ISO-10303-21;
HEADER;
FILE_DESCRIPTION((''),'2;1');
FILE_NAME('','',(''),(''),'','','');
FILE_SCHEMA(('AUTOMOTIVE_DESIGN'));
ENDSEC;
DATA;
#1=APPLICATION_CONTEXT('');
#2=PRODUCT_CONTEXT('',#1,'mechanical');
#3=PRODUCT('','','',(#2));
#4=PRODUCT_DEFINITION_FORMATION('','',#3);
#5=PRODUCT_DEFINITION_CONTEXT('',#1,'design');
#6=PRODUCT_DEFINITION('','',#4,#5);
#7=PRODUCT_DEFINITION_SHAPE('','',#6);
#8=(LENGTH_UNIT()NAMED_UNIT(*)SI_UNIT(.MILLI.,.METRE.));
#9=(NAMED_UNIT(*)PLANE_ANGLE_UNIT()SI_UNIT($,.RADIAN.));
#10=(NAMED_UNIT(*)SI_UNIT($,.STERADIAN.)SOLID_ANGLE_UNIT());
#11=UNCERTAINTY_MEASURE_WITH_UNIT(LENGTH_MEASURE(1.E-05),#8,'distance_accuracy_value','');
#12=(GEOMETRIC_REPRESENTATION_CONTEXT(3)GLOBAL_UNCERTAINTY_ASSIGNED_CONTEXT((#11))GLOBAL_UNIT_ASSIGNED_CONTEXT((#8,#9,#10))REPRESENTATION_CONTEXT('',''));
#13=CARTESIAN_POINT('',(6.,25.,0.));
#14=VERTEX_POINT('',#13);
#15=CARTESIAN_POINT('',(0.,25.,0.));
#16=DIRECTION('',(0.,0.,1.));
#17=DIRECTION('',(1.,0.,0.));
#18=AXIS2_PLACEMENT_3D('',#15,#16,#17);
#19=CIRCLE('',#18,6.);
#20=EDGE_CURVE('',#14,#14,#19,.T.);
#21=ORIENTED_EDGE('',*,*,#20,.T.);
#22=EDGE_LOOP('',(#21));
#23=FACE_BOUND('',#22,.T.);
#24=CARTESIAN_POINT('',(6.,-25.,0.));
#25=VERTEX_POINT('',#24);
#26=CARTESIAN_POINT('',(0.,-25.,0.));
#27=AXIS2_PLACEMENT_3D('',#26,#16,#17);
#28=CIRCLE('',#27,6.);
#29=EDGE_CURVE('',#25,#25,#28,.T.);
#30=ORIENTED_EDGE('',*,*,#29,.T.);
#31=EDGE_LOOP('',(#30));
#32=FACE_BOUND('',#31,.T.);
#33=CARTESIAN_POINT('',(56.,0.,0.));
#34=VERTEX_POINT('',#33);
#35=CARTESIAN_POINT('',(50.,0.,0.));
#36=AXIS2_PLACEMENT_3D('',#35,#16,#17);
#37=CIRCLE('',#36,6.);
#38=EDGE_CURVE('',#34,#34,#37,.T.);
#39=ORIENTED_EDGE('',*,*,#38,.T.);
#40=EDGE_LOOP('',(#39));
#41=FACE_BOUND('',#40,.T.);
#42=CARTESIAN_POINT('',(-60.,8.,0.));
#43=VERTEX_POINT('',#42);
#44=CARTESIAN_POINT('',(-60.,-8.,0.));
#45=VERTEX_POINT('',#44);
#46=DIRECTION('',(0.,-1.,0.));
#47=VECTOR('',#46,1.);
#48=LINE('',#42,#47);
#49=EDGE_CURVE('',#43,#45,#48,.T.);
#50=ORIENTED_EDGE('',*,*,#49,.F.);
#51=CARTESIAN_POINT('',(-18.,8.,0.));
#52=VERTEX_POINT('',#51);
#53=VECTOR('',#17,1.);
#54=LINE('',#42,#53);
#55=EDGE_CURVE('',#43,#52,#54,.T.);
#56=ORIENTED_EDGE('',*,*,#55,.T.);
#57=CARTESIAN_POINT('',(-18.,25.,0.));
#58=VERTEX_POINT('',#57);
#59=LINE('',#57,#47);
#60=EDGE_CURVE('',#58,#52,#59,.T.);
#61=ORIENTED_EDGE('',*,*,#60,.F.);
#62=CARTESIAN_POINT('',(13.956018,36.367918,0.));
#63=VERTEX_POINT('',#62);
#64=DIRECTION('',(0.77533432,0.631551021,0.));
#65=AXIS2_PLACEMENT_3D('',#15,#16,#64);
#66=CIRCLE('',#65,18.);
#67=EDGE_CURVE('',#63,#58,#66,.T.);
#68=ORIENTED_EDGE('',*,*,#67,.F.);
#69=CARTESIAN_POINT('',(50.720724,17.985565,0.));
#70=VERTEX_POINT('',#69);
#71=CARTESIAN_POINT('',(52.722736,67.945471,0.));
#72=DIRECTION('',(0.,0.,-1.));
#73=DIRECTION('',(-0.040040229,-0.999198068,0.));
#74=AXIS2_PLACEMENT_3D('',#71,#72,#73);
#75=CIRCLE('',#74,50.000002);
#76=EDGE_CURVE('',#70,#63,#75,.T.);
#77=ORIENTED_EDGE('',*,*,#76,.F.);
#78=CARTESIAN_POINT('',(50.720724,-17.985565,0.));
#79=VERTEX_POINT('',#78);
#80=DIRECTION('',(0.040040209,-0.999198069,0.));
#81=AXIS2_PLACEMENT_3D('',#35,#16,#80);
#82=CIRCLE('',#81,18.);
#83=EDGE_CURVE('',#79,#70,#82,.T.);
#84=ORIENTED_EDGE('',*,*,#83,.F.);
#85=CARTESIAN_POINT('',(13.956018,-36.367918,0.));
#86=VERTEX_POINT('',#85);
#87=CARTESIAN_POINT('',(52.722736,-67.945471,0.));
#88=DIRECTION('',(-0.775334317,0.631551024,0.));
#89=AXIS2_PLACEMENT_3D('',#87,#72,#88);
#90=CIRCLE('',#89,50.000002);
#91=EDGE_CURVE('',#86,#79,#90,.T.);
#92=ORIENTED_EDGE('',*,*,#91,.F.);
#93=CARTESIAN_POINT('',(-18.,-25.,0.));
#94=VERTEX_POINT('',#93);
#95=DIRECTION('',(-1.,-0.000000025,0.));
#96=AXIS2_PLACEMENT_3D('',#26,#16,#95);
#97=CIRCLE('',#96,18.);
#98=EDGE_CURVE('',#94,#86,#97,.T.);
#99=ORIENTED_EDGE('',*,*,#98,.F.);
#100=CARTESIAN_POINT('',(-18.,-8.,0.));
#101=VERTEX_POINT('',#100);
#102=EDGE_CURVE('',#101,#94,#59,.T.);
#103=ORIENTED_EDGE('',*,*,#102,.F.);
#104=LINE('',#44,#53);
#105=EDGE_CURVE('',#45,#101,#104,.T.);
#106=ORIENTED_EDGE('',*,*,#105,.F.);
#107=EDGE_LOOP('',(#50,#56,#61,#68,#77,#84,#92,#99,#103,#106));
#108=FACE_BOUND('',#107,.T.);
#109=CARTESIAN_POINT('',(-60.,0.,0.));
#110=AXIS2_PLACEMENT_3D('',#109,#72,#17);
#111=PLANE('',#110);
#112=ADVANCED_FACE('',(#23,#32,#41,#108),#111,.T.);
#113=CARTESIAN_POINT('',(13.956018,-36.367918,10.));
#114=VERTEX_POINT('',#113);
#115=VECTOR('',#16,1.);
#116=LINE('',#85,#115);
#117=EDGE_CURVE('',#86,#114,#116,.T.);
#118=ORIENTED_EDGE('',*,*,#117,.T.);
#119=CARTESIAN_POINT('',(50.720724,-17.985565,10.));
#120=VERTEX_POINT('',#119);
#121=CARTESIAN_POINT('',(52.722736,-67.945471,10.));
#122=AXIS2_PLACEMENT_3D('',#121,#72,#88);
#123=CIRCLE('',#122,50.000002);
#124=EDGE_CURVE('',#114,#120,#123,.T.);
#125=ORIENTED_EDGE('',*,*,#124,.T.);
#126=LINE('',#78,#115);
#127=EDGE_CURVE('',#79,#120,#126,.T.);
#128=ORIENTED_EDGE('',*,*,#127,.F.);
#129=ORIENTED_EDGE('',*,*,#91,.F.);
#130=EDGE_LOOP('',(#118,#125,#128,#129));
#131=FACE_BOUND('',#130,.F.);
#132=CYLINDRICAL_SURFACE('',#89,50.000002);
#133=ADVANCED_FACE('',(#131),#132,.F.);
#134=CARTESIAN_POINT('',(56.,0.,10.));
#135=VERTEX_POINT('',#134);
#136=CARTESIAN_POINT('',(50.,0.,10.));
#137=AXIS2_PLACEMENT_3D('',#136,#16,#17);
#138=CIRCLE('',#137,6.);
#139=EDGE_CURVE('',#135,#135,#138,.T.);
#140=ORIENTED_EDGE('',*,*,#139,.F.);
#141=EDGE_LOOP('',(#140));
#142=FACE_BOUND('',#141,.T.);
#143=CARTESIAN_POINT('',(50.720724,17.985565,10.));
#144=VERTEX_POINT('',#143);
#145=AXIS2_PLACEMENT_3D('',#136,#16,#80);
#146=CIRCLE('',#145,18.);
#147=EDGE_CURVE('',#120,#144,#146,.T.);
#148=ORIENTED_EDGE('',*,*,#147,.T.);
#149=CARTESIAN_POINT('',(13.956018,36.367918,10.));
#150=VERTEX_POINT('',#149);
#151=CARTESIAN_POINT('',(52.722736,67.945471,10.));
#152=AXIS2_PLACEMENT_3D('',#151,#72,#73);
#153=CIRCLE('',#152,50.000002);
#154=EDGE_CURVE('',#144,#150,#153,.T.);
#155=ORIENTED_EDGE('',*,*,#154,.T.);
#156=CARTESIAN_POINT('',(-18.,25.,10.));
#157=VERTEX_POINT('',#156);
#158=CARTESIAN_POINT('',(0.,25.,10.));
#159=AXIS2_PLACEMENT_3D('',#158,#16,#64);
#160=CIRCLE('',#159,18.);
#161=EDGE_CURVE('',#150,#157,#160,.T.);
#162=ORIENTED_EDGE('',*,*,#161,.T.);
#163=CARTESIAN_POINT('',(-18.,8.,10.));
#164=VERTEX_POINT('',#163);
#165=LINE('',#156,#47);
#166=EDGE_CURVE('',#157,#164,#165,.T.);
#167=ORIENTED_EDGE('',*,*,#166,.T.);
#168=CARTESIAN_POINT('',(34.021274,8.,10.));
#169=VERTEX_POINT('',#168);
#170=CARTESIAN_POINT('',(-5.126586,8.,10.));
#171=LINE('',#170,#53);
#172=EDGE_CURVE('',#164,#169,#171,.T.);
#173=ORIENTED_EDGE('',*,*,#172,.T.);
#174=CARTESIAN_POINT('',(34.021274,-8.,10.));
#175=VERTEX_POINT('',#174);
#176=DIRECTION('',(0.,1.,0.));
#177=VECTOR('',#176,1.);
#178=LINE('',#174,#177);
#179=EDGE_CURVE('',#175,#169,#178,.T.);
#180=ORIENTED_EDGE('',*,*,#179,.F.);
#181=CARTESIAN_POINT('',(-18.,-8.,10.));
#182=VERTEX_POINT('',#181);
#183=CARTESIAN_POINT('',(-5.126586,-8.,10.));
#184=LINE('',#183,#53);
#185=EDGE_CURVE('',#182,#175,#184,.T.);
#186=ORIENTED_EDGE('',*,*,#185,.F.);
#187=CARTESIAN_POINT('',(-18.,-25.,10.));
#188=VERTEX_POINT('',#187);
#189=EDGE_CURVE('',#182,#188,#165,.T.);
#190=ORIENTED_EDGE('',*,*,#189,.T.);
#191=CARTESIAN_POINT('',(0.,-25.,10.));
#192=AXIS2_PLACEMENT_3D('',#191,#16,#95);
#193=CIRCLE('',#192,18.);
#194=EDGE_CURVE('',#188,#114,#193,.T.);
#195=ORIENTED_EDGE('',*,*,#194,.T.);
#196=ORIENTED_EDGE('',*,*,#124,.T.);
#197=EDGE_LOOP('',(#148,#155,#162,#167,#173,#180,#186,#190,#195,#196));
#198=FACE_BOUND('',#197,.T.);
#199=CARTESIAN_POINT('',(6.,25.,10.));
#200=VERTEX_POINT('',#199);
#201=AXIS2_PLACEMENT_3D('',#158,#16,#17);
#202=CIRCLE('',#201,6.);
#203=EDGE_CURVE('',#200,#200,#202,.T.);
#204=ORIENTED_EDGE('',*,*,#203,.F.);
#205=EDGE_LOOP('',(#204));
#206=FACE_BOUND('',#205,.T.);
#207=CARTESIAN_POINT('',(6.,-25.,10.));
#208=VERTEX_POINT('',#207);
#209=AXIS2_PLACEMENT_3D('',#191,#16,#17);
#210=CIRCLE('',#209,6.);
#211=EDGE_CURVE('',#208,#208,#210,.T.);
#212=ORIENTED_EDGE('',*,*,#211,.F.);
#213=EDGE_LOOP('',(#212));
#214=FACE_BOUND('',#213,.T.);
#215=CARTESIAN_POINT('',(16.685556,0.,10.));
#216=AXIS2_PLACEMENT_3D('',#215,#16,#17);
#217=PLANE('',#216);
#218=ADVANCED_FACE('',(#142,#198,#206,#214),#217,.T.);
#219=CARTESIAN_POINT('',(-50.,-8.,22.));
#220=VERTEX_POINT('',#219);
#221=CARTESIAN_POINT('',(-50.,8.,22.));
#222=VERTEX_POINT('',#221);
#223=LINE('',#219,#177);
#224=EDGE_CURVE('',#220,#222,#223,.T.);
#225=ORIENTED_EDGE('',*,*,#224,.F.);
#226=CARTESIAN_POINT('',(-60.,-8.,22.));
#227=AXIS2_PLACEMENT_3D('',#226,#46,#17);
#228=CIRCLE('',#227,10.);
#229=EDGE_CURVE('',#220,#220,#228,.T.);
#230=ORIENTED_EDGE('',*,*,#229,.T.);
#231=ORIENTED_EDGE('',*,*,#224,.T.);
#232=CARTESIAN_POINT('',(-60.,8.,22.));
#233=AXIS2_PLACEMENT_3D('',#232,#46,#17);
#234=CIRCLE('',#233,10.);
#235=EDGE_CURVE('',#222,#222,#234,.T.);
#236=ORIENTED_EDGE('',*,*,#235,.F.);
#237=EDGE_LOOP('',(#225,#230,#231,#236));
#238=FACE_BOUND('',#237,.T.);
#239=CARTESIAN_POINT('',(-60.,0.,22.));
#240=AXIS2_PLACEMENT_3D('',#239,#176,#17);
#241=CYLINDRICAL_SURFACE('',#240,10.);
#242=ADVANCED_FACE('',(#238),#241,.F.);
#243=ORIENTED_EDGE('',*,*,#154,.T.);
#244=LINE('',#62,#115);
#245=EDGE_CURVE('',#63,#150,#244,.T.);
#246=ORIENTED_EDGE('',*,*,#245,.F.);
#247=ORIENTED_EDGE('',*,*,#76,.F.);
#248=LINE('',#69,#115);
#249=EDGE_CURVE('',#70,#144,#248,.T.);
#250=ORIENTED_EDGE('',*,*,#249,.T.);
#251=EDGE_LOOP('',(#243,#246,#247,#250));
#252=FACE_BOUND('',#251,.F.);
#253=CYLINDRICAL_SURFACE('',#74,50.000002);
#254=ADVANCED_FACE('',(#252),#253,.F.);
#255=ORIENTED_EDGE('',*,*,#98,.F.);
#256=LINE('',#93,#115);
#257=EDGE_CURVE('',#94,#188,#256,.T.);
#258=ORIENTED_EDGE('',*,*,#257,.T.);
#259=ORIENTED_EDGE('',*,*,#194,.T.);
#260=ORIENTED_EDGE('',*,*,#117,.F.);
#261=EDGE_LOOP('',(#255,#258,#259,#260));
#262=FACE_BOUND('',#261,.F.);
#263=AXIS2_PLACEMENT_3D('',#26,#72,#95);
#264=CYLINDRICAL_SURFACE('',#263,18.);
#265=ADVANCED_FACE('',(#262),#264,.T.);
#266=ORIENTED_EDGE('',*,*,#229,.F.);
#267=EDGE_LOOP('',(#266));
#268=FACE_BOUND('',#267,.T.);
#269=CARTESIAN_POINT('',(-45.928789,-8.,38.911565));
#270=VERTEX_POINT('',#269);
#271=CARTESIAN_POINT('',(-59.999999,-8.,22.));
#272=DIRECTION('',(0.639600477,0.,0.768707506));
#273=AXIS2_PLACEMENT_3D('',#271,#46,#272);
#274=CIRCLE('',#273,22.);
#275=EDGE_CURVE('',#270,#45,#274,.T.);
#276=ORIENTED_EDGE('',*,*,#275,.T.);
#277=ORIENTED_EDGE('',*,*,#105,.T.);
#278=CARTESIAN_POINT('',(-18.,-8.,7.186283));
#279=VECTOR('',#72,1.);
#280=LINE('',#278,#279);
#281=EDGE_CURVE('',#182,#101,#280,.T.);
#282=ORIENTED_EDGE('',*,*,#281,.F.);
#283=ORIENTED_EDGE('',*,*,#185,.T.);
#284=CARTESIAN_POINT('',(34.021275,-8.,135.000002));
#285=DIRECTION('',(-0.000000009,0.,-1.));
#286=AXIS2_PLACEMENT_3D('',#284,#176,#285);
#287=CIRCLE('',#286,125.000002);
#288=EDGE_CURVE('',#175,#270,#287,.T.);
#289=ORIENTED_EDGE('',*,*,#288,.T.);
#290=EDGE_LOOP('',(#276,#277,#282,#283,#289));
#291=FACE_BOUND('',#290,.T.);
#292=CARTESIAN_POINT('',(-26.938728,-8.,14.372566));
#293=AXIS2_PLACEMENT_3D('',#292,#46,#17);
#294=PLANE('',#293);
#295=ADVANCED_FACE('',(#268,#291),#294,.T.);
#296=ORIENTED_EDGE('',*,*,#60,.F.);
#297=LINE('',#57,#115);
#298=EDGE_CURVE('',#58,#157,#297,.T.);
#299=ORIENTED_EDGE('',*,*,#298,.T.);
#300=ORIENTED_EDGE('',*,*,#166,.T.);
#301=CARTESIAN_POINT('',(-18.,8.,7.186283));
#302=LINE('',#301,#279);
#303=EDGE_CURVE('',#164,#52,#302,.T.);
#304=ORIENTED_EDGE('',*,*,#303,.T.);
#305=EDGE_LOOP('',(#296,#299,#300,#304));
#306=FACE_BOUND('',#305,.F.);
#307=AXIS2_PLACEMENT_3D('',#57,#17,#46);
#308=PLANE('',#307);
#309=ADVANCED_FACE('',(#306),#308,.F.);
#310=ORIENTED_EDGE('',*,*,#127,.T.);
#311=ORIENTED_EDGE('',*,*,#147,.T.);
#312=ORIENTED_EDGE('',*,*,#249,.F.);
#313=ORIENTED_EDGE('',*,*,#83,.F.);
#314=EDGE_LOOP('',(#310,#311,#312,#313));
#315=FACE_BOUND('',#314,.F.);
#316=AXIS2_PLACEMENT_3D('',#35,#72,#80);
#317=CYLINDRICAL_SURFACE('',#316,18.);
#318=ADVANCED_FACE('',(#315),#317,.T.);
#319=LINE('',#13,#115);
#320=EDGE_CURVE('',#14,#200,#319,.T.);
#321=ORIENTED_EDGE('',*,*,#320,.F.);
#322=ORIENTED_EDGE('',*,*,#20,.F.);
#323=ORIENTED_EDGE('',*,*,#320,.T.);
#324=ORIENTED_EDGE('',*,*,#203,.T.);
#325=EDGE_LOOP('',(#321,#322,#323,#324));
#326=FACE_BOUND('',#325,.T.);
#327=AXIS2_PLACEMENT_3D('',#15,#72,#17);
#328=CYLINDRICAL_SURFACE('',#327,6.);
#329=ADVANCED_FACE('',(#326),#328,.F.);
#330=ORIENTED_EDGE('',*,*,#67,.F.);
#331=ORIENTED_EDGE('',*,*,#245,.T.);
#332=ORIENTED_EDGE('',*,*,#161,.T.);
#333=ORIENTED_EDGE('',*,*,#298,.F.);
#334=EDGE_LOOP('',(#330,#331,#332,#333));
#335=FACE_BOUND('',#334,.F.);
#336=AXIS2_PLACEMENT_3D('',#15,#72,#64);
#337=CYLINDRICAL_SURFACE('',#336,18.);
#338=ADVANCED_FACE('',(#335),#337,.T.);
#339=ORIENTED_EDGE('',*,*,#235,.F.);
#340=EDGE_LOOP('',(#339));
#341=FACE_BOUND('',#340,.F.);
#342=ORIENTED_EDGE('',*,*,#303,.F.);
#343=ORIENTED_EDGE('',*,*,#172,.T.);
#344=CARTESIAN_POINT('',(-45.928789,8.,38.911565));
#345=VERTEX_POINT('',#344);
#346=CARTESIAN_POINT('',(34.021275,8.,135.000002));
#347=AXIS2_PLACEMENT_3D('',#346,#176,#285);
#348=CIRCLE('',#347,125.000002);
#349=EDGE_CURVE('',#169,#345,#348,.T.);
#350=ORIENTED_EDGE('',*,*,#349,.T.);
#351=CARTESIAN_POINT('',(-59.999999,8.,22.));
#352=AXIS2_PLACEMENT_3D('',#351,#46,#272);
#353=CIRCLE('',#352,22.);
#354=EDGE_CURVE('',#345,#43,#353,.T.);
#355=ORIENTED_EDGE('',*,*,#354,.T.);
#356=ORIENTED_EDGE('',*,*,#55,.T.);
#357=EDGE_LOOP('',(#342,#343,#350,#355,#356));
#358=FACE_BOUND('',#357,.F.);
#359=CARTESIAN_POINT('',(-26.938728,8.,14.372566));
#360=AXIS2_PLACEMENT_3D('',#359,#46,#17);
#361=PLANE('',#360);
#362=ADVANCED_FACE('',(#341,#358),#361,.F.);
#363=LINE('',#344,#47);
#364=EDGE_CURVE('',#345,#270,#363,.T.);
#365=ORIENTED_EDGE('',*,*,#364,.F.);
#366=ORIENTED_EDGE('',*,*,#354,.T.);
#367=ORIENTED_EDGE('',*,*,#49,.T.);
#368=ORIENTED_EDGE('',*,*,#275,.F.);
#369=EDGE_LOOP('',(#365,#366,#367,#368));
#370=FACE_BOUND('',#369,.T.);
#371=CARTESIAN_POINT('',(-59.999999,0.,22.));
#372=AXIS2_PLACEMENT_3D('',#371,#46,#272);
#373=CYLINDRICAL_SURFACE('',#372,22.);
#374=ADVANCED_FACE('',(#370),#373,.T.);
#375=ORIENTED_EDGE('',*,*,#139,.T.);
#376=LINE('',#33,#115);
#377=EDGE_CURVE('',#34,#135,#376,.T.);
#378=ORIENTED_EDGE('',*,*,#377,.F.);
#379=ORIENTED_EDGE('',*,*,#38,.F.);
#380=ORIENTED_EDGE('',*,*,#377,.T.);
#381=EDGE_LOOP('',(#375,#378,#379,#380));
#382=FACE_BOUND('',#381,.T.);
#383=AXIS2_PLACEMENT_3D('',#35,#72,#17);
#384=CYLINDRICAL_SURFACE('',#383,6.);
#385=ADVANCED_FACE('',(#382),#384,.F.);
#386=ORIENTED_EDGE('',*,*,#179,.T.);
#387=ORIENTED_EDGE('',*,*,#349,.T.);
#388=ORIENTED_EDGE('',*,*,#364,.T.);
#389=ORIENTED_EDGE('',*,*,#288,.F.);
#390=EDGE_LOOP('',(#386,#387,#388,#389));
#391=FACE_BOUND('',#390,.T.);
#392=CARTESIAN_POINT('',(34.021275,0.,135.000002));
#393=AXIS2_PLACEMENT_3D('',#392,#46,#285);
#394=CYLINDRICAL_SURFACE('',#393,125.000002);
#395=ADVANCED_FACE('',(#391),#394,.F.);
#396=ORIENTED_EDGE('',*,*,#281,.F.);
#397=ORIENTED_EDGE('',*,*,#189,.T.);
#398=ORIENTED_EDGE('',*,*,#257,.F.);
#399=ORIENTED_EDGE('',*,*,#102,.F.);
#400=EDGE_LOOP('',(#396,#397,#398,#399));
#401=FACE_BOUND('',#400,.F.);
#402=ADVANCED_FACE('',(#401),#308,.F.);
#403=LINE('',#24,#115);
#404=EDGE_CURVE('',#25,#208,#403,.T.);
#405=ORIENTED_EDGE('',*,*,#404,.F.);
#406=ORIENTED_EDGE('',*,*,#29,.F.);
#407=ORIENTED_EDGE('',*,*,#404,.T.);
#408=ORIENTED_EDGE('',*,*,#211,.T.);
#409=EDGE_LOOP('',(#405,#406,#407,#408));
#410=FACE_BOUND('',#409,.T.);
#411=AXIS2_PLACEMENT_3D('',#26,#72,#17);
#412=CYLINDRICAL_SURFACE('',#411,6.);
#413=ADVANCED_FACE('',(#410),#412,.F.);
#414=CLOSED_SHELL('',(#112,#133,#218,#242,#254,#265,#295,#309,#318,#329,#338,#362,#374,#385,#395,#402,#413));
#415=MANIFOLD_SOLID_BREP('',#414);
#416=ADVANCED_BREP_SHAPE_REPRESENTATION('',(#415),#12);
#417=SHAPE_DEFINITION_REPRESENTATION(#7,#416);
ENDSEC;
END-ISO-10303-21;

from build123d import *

# Parameters (mm, degrees)
F0_R     = 6
F1_DEPTH = 10
F2_R     = 10
F3_DEPTH = 8


with BuildPart() as f1:
    # F0 (on Top) → F1 (new body)
    with BuildSketch(Plane.XY):
        with BuildLine():
            ThreePointArc((50.720724, 17.985565), (30.362055, 23.224109), (13.956018, 36.367918))
            ThreePointArc((13.956018, 36.367918), (-6.032896, 41.958896), (-18, 25))
            Line((-18, 25), (-18, -25))
            ThreePointArc((-18, -25), (-6.032896, -41.958896), (13.956018, -36.367918))
            ThreePointArc((13.956018, -36.367918), (30.362055, -23.224109), (50.720724, -17.985565))
            ThreePointArc((50.720724, -17.985565), (68, 0), (50.720724, 17.985565))
        make_face()
        with Locations((0, -25)):
            Circle(F0_R, mode=Mode.SUBTRACT)
        with Locations((0, 25)):
            Circle(F0_R, mode=Mode.SUBTRACT)
        with Locations((50, 0)):
            Circle(F0_R, mode=Mode.SUBTRACT)
    extrude(amount=F1_DEPTH)

    # F2 (on Front) → F3 (join, symmetric)
    with BuildSketch(Plane.XZ):
        with BuildLine():
            ThreePointArc((34.021274, 10), (-8.487228, 17.449895), (-45.928789, 38.911565))
            ThreePointArc((-45.928789, 38.911565), (-80.688818, 29.481496), (-60, 0))
            Line((-60, 0), (26.773975, 0))
            Line((26.773975, 0), (34.021274, 10))
        make_face()
        with Locations((-60, 22)):
            Circle(F2_R, mode=Mode.SUBTRACT)
    extrude(amount=F3_DEPTH, both=True)


solid = f1.part
